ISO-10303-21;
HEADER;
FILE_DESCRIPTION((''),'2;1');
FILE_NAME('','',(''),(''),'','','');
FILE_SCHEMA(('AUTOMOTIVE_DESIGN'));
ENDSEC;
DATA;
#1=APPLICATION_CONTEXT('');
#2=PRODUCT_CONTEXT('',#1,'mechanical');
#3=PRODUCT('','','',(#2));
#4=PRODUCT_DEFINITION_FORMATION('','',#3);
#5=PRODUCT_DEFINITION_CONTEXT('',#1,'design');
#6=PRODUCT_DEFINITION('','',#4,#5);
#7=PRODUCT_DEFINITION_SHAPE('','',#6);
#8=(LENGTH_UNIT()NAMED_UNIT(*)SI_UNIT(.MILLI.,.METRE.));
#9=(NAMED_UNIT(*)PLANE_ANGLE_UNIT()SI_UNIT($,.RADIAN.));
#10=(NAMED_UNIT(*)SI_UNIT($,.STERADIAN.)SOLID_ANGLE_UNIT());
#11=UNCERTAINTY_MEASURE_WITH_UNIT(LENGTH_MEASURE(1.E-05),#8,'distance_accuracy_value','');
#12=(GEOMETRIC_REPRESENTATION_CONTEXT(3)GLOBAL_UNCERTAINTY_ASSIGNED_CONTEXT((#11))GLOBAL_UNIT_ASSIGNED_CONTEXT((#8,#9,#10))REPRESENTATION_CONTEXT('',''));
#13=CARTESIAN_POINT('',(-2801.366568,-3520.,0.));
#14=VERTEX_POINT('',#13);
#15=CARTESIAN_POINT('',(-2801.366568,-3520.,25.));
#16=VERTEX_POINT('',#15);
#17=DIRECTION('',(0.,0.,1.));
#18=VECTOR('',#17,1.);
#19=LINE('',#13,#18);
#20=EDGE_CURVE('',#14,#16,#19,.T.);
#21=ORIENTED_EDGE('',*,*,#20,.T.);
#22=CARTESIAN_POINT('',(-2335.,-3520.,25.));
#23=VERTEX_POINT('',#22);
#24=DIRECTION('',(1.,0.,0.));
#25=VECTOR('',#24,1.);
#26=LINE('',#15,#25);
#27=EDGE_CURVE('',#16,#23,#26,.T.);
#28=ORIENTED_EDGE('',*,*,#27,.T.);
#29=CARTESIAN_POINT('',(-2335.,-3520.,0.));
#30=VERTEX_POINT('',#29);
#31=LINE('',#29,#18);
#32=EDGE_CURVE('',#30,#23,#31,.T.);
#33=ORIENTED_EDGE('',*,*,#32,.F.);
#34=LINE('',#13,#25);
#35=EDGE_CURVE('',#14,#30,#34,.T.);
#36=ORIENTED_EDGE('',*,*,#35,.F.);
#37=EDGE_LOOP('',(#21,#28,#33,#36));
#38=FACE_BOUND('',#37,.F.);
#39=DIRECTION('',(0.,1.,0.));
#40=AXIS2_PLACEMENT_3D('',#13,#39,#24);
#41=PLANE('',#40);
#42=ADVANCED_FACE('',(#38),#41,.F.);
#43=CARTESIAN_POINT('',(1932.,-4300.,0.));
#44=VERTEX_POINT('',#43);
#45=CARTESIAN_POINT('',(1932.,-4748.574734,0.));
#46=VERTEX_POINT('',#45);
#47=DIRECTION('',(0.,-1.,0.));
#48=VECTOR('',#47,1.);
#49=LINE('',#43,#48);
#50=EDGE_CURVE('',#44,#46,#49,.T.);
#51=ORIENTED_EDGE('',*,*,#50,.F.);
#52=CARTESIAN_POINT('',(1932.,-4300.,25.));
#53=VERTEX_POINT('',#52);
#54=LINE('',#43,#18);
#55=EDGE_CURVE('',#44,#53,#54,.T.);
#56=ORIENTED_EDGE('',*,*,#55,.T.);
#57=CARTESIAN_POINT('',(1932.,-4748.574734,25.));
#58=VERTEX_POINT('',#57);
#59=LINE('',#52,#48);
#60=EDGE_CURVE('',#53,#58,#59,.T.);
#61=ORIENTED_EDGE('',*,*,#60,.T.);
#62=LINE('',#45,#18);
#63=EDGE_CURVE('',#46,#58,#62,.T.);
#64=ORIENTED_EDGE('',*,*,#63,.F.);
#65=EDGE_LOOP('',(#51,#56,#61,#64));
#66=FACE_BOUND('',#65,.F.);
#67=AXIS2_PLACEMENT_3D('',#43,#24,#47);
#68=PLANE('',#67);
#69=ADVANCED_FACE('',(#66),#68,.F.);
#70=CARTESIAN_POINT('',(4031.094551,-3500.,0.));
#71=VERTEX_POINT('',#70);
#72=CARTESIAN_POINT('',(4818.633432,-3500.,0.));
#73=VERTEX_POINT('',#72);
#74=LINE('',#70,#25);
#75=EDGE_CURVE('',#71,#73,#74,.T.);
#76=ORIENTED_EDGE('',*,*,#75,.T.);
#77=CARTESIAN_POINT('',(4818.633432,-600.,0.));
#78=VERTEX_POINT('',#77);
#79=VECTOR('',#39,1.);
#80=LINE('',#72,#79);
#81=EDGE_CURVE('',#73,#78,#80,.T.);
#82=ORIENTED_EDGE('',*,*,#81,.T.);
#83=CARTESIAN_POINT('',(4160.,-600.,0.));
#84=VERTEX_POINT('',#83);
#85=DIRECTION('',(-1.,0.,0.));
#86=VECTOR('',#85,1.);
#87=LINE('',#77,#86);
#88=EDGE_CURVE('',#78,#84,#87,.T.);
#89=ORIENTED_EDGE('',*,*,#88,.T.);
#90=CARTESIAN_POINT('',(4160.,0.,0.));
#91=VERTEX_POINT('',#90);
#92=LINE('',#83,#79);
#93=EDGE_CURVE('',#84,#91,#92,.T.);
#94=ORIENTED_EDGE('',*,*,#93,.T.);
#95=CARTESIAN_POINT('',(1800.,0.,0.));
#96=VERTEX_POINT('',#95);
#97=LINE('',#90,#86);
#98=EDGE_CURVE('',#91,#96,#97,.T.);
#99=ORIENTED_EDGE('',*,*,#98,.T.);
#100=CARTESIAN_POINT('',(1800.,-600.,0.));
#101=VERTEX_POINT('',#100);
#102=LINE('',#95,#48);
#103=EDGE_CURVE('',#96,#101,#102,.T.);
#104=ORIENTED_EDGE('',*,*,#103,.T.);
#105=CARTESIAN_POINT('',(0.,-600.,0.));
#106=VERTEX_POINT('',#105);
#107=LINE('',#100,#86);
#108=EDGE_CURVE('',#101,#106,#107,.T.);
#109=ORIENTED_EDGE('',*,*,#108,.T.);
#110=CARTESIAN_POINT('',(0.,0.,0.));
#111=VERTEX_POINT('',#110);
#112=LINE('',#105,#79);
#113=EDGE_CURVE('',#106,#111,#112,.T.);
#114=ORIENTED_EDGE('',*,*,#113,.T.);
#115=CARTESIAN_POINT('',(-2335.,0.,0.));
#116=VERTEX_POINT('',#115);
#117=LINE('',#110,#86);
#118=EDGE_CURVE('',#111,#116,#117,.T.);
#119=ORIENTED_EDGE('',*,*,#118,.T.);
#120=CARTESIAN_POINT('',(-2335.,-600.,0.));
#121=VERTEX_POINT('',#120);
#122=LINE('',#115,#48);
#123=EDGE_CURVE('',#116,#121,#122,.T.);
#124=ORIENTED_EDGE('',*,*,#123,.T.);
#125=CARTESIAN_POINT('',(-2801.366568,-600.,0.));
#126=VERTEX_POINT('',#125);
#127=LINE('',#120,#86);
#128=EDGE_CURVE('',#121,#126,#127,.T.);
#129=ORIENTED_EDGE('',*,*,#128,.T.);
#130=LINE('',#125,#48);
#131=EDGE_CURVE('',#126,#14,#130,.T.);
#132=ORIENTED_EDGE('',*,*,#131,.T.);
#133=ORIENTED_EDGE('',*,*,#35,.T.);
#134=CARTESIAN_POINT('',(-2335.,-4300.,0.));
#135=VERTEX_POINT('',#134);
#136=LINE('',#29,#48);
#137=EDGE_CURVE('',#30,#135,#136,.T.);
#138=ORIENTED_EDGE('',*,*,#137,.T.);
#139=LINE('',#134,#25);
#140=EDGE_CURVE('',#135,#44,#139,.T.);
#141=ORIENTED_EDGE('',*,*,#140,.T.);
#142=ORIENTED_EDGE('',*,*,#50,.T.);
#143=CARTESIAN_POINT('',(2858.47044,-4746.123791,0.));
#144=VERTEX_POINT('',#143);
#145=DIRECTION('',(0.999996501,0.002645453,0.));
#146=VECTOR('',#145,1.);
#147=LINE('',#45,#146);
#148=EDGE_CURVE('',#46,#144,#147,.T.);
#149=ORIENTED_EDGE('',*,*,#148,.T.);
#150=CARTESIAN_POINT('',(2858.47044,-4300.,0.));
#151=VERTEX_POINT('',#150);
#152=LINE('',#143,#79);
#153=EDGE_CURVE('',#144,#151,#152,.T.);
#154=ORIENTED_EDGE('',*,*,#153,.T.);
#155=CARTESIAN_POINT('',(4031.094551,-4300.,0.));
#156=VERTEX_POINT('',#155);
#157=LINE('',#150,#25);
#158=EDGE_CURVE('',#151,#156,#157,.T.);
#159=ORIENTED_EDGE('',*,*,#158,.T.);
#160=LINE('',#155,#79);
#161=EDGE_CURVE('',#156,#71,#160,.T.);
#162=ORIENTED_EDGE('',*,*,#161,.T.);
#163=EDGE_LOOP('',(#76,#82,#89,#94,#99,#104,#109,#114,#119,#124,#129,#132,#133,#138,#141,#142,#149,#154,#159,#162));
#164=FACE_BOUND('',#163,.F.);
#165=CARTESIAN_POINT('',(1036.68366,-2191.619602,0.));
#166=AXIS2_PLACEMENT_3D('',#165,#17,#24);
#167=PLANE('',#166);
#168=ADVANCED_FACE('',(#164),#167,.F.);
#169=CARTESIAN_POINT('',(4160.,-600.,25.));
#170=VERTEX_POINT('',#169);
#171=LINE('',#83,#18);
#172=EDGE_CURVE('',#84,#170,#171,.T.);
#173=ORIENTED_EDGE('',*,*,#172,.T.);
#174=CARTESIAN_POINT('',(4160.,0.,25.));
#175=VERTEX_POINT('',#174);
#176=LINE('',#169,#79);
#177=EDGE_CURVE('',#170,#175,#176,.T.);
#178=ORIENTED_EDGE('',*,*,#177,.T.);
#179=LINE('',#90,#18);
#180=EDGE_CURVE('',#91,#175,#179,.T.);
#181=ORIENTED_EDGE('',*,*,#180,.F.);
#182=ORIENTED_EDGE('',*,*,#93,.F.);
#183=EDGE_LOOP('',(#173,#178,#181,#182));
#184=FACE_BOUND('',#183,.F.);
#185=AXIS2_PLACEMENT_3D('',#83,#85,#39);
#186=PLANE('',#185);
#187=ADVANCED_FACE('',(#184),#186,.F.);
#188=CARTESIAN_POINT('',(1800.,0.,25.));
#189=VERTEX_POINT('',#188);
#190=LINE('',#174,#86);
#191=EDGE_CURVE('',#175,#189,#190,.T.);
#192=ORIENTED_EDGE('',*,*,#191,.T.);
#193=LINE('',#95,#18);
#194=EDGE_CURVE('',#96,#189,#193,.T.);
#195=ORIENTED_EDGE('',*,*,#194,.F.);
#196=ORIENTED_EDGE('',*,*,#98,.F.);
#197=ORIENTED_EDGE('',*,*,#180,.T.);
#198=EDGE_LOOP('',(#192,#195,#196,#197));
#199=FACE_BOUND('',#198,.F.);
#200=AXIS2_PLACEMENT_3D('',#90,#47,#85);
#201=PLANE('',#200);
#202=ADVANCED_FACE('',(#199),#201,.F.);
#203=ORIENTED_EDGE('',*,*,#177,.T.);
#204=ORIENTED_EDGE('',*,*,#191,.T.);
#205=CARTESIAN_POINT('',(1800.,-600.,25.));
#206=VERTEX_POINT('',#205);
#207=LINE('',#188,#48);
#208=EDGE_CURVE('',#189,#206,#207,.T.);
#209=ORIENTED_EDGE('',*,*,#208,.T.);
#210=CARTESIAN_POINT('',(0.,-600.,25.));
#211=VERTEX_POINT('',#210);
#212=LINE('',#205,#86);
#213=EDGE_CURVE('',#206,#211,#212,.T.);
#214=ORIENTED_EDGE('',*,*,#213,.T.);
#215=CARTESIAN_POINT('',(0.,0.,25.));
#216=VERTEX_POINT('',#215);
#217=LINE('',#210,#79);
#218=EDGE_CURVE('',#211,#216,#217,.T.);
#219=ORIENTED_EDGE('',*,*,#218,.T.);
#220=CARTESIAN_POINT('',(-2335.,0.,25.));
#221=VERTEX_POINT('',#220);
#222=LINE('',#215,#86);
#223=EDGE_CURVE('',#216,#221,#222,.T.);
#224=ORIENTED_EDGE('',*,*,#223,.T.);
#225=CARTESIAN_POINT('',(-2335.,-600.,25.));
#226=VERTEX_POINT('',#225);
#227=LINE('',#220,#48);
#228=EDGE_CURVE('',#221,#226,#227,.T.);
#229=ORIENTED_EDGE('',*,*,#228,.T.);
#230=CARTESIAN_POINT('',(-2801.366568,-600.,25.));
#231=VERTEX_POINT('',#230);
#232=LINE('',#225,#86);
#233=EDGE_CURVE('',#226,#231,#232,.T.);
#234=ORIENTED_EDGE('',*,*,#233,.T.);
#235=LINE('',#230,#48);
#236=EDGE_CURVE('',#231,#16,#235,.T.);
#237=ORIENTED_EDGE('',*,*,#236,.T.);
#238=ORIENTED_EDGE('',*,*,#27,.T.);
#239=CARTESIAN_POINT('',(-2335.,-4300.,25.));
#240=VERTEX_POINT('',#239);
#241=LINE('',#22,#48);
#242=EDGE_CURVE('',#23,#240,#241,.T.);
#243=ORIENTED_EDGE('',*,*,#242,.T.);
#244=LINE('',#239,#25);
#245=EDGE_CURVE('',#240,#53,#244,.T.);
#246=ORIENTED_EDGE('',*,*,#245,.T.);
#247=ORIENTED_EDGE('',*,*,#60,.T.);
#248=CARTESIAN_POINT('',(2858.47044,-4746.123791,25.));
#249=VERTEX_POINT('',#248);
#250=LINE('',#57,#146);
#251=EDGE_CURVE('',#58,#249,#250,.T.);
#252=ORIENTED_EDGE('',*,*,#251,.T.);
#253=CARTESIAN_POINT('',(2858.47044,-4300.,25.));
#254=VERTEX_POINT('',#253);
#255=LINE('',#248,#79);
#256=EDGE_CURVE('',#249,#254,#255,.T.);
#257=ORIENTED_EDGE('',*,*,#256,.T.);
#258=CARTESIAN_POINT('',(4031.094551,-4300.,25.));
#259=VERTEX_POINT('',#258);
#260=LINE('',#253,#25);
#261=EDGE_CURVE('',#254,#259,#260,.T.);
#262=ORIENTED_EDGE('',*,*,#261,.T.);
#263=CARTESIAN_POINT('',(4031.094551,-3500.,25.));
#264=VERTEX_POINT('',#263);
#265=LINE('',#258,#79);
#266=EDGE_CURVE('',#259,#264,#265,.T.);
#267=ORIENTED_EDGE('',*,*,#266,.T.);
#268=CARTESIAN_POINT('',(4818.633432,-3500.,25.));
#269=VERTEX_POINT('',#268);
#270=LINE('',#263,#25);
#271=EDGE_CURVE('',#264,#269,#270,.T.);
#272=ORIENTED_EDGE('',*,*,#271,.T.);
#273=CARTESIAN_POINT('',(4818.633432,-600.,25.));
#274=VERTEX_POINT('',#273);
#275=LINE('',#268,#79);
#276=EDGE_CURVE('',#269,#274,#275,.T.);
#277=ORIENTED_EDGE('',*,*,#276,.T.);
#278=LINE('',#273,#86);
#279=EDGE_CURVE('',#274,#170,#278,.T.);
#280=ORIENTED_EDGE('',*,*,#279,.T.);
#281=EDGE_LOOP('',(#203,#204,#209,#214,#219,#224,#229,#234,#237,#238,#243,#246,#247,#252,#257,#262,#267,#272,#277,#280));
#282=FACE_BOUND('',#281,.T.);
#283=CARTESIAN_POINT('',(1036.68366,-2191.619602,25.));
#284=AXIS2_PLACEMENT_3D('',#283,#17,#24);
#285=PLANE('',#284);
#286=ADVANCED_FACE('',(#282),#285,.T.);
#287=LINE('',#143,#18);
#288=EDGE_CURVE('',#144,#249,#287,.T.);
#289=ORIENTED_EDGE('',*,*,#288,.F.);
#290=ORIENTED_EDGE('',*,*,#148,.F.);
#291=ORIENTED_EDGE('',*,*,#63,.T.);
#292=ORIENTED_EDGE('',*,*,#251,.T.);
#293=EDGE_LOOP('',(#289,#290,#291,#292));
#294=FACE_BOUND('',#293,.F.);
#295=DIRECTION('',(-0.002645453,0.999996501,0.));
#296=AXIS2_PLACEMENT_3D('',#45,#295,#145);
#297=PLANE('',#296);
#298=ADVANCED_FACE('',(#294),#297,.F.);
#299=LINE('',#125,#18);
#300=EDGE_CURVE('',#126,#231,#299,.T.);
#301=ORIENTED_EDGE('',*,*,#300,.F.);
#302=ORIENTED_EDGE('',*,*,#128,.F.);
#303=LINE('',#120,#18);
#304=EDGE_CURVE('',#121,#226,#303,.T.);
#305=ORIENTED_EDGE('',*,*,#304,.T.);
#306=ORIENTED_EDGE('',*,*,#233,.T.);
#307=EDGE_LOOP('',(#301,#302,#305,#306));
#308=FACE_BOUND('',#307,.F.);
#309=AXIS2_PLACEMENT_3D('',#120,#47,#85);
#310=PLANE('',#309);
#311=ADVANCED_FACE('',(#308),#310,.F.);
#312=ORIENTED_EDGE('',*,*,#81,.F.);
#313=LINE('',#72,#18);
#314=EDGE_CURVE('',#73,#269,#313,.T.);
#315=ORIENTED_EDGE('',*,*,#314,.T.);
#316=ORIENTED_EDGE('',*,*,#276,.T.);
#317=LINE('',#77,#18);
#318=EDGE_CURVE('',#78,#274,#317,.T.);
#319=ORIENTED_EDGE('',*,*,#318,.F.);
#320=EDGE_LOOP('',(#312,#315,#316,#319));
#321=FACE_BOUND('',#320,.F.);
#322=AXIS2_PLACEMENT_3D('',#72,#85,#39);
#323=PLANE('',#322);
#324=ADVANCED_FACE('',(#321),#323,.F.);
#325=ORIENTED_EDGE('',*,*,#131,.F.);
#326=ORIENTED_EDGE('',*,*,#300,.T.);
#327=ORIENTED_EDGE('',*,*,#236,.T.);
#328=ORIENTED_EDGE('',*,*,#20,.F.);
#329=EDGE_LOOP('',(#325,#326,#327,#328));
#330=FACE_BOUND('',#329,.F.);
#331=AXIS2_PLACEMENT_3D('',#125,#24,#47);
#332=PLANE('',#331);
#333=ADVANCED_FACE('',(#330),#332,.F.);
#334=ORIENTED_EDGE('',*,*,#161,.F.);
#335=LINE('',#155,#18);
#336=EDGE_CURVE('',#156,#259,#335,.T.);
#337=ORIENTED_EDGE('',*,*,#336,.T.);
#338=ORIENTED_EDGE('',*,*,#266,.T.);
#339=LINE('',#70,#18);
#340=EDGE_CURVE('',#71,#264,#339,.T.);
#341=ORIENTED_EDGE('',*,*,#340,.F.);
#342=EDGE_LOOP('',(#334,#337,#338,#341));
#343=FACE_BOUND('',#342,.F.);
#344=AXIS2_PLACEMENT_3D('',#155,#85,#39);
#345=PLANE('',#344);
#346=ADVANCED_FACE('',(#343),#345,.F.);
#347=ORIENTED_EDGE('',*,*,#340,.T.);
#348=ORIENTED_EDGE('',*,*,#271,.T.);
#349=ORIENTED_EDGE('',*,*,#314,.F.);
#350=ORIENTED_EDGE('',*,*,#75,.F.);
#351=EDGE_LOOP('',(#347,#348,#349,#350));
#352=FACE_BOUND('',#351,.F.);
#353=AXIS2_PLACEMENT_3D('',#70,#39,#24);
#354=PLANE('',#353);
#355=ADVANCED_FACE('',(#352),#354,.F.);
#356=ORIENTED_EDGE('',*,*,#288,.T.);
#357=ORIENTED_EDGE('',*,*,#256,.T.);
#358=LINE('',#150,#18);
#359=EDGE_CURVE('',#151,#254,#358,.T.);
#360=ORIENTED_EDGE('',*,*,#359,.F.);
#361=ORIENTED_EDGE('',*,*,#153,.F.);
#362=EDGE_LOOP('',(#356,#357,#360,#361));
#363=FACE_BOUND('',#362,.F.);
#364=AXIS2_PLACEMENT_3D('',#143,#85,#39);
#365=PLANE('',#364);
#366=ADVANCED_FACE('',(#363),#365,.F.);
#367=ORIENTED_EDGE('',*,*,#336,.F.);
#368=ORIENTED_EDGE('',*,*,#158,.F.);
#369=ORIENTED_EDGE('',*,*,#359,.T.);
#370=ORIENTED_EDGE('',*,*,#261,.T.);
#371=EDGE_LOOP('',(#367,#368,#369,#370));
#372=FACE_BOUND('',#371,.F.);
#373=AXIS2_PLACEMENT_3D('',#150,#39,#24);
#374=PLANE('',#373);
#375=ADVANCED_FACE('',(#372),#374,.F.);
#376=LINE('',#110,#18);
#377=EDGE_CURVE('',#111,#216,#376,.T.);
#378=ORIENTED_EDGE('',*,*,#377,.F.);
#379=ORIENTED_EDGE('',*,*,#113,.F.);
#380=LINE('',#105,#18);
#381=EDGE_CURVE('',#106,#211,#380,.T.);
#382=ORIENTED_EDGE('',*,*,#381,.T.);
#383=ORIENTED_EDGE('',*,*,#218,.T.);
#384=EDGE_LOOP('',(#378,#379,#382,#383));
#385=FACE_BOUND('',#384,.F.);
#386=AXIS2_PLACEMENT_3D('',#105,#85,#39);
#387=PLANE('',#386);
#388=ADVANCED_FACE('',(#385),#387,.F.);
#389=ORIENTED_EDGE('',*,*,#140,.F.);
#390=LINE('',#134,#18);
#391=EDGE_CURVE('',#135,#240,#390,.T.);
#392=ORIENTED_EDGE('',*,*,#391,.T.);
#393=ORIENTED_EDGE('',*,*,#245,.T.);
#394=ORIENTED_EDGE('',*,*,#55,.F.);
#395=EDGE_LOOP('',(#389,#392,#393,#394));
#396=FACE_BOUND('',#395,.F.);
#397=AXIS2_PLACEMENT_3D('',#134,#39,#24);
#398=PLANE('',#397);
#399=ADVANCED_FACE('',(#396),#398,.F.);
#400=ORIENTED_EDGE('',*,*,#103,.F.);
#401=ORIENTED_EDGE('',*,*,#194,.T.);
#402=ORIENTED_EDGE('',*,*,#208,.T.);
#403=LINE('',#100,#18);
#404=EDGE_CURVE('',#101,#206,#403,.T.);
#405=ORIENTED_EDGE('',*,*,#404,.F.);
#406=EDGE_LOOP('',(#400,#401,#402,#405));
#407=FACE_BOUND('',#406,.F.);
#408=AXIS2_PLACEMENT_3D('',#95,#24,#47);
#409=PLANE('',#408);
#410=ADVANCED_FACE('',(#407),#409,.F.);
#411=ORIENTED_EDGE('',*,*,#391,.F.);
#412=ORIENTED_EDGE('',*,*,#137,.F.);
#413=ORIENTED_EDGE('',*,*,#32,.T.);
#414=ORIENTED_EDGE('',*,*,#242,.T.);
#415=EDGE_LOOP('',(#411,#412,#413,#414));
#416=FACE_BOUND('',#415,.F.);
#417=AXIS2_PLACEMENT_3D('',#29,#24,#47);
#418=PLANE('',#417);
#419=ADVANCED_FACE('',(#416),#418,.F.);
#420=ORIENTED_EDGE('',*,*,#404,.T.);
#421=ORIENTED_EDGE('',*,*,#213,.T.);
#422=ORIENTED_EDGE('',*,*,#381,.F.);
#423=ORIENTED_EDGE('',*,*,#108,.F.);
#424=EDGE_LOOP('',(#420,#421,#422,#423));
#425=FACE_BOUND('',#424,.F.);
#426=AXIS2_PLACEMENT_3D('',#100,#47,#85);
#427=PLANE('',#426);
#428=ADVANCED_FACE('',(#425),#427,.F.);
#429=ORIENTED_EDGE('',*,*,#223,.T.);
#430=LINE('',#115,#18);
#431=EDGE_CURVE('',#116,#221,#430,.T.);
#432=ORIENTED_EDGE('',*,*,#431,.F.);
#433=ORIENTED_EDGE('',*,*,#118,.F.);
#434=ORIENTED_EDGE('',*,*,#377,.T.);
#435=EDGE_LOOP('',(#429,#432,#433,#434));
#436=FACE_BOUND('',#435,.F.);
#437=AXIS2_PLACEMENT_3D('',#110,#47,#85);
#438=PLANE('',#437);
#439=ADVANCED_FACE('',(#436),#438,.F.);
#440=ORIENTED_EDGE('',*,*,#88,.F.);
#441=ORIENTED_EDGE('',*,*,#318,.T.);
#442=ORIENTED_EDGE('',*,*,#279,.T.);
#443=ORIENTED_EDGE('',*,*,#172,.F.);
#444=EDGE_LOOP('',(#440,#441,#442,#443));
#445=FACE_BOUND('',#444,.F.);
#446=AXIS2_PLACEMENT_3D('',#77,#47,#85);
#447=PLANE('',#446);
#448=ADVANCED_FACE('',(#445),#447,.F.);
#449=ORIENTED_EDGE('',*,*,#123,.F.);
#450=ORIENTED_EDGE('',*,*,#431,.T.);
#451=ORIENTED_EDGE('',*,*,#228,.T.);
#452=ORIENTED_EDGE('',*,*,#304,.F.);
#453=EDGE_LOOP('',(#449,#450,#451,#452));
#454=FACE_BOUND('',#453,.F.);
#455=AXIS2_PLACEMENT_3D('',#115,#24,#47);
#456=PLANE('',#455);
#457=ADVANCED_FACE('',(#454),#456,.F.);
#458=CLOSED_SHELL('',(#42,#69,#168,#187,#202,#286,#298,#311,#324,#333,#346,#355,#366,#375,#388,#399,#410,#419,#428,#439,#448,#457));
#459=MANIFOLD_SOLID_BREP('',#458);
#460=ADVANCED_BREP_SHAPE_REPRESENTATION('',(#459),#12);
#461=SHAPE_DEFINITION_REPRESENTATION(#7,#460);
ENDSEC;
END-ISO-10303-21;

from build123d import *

# Parameters (mm, degrees)
F1_DEPTH = 25


with BuildPart() as f1:
    # F0 (on Top) → F1 (new body)
    with BuildSketch(Plane.XY):
        Polygon((0, -600), (0, 0), (-2335, 0), (-2335, -600), (-2801.366568, -600), (-2801.366568, -3520), (-2335, -3520), (-2335, -4300), (1932, -4300), (1932, -4748.574734), (2858.47044, -4746.123791), (2858.47044, -4300), (3629.903078, -4300), (4031.094551, -4300), (4031.094551, -3500), (4818.633432, -3500), (4818.633432, -600), (4160, -600), (4160, 0), (1800, 0), (1800, -600), align=None)
    extrude(amount=F1_DEPTH)


solid = f1.part
